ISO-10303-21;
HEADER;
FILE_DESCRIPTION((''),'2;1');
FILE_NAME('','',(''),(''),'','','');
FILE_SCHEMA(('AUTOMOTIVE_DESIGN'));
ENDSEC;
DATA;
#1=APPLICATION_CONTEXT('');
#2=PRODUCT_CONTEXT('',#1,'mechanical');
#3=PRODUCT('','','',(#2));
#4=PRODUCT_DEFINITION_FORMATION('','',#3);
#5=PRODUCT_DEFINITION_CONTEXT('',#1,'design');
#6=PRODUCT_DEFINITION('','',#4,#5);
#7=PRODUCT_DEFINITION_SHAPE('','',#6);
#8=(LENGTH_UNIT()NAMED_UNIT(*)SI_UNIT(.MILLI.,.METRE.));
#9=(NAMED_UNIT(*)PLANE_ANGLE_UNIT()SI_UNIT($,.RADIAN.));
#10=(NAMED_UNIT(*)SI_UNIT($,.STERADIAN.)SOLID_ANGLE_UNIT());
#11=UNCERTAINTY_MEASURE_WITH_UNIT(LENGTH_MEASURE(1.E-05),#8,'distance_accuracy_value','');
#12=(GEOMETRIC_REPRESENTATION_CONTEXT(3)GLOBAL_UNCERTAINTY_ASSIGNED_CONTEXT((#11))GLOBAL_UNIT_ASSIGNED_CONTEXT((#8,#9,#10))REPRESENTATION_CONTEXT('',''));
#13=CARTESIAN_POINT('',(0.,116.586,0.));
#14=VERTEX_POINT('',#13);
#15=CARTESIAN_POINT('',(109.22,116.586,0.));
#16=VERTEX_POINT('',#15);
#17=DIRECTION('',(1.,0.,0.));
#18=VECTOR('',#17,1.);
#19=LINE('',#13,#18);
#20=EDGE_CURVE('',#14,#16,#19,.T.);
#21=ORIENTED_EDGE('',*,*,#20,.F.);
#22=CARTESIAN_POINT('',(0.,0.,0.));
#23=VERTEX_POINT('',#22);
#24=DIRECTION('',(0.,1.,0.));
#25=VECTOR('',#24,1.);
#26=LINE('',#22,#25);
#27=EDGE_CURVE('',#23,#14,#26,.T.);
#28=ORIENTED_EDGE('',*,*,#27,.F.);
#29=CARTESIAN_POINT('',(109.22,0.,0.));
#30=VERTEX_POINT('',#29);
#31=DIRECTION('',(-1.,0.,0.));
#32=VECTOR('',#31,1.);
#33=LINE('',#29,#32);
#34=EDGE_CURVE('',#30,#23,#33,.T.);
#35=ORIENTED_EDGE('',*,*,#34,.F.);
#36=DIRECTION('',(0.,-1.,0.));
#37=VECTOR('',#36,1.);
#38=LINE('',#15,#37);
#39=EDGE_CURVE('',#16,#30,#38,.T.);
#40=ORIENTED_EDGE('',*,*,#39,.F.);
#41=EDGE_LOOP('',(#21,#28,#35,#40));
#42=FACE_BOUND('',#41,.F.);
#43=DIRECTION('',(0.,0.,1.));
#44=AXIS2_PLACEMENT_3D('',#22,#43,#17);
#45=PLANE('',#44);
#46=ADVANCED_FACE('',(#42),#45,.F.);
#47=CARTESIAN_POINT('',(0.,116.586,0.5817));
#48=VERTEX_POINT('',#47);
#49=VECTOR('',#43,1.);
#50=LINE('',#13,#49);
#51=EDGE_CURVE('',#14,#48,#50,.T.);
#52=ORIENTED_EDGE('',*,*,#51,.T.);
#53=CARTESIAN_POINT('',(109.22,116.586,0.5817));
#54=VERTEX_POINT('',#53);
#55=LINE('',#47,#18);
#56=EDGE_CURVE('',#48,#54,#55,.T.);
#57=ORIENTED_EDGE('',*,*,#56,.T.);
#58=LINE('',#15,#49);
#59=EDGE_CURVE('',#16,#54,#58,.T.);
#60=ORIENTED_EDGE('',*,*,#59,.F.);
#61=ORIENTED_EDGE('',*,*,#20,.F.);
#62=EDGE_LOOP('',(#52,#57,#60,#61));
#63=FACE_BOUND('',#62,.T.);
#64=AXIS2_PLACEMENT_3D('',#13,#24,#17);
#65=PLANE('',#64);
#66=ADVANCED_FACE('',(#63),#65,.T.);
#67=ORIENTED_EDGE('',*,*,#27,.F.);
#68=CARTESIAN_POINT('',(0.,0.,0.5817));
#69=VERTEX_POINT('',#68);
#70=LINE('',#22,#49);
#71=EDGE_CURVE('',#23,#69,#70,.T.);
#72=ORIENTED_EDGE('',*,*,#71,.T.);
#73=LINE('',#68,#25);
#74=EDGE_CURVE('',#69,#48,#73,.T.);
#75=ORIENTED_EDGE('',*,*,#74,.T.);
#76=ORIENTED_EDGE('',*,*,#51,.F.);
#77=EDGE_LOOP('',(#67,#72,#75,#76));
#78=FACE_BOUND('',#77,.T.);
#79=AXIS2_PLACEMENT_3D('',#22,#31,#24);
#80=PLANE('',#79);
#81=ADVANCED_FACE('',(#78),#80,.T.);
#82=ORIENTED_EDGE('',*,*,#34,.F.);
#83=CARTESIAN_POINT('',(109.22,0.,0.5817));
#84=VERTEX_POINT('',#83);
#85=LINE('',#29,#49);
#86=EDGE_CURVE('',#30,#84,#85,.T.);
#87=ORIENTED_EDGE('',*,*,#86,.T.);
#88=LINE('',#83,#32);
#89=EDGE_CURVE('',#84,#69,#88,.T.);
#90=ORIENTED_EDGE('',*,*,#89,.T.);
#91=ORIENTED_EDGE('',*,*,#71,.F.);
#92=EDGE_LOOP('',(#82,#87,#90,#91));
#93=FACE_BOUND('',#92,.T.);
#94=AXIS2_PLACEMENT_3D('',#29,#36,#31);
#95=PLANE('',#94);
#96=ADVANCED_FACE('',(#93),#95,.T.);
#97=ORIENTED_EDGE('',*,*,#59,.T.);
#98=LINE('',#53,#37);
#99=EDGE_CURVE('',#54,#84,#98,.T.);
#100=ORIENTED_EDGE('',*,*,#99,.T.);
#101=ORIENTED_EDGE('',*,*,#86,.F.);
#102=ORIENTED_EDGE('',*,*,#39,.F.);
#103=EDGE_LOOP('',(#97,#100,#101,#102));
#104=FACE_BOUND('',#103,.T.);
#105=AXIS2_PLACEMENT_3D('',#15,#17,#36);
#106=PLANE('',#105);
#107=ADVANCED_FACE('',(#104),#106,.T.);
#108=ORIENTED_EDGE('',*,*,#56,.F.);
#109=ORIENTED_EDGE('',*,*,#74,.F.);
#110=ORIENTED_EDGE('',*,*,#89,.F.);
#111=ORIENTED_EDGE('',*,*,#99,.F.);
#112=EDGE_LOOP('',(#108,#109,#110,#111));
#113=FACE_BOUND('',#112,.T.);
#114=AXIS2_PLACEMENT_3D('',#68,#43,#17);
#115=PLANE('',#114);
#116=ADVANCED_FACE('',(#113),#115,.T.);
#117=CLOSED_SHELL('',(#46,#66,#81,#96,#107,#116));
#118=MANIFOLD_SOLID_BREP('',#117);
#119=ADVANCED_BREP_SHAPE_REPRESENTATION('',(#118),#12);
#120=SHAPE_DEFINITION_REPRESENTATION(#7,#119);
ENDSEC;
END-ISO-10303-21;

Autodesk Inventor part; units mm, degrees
ref_plane "YZ Plane" through (0, 0, 0) normal (1, 0, 0) x (0, 1, 0)
ref_plane "XZ Plane" through (0, 0, 0) normal (0, 1, 0) x (-1, 0, 0)
ref_plane "XY Plane" through (0, 0, 0) normal (0, 0, 1) x (1, 0, 0)
sketch "Sketch1" plane through (0, 0, 0) normal (0, 0, 1) x (1, 0, 0)
  line L0 (0, 0) -> (0, 116.586)
  line L1 (0, 116.586) -> (109.22, 116.586)
  line L2 (109.22, 116.586) -> (109.22, 0)
  line L3 (109.22, 0) -> (0, 0)
  dimension "d0" = 109.22
  dimension "d1" = 116.586
extrude "Extrusion1" add sketch "Sketch1" along normal blind 0.5817
properties part number "Chassis_Alu" material "Steel"
